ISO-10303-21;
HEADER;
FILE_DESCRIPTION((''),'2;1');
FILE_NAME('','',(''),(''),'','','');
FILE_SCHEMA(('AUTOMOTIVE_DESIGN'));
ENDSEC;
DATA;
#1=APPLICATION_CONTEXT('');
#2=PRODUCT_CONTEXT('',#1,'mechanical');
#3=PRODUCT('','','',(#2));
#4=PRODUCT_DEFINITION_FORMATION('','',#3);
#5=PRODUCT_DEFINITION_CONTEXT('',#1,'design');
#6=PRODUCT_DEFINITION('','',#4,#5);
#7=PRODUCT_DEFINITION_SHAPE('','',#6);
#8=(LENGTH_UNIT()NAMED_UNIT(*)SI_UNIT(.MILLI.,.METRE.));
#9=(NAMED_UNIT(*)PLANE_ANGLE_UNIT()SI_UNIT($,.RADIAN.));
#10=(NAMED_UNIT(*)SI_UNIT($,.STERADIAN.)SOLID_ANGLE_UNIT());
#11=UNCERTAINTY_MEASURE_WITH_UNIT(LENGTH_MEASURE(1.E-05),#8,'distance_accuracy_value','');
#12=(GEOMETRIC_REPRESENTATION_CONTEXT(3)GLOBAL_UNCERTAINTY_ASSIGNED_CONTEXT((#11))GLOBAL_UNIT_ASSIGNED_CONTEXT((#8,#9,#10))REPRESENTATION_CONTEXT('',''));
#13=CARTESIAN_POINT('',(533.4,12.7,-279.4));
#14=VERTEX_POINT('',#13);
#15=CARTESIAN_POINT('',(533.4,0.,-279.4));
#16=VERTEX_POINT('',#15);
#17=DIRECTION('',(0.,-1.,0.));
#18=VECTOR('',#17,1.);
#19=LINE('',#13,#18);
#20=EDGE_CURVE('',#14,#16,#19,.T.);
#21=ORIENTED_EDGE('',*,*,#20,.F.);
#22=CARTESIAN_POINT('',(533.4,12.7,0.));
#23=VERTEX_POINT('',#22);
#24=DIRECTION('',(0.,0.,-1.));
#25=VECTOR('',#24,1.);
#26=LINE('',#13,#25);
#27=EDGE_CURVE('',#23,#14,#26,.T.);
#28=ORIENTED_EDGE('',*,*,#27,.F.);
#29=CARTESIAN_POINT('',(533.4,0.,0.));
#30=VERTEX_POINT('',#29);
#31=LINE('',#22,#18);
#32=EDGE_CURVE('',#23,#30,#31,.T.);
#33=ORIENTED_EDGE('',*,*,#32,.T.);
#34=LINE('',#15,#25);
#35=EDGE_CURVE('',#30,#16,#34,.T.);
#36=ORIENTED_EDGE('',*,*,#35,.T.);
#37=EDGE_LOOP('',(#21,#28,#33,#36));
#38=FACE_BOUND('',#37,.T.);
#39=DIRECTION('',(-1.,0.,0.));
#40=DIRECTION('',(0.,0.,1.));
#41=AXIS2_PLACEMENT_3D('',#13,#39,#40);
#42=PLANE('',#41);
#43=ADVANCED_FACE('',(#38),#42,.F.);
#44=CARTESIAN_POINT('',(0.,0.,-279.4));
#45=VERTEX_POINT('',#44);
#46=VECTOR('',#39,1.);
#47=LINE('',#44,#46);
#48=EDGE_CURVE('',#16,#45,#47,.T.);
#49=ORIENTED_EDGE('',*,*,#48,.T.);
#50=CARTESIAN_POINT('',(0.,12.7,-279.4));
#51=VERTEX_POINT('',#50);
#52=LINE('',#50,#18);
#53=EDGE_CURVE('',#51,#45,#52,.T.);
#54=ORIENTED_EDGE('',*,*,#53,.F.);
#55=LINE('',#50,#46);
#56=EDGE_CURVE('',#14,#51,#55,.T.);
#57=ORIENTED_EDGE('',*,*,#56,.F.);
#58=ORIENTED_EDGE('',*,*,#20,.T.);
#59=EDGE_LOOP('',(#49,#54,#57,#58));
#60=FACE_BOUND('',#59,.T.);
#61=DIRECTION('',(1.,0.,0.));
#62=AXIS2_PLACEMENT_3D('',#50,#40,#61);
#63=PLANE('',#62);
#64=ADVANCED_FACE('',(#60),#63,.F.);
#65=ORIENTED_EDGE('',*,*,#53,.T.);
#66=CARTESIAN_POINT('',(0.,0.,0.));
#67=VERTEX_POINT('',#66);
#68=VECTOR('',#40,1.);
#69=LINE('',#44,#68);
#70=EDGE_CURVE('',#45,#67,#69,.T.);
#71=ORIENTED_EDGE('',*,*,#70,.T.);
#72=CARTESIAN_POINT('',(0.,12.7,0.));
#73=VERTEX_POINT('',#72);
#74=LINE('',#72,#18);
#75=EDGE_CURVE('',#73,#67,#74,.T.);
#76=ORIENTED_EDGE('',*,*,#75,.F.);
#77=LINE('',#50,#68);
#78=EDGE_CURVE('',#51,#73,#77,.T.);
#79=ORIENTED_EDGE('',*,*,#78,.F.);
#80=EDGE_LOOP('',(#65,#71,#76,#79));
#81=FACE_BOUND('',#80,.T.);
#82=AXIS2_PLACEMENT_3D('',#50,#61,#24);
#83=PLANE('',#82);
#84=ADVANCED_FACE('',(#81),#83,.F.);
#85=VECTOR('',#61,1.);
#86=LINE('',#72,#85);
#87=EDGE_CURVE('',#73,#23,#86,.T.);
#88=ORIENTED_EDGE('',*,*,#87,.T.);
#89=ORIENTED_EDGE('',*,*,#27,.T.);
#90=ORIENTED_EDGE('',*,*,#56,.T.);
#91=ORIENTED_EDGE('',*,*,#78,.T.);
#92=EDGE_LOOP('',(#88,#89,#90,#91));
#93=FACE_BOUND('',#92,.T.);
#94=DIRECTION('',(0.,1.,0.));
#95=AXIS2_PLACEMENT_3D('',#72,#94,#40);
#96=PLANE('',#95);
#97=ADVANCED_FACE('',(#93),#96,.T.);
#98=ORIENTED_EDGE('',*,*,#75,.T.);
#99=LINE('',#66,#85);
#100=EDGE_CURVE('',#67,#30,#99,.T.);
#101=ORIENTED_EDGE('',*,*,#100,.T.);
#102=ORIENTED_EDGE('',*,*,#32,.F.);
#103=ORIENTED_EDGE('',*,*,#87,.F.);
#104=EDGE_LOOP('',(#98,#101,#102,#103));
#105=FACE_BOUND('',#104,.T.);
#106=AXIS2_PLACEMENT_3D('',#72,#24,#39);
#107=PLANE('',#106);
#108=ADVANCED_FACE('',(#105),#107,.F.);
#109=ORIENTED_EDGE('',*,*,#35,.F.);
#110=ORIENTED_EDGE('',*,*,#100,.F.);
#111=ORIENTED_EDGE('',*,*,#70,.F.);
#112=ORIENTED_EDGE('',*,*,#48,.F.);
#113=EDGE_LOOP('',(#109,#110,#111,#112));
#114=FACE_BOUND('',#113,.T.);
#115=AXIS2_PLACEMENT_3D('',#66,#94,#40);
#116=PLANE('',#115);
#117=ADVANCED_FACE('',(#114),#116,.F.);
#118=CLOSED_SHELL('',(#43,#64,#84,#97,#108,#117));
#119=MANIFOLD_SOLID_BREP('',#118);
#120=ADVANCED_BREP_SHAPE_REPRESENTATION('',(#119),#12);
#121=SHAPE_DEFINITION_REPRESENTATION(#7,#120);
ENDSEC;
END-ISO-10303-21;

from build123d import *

# Parameters (mm, degrees)
SKETCH_1_W      = 533.4
SKETCH_1_H      = 279.4
EXTRUDE_1_DEPTH = 12.7


with BuildPart() as part:
    # 草图1 → 凸台-拉伸1 (new body)
    with BuildSketch(Plane(origin=(0, 0, 0), x_dir=(1, 0, 0), z_dir=(0, 1, 0))):
        with Locations((266.7, 139.7)):
            Rectangle(SKETCH_1_W, SKETCH_1_H)
    extrude(amount=EXTRUDE_1_DEPTH)


solid = part.part
